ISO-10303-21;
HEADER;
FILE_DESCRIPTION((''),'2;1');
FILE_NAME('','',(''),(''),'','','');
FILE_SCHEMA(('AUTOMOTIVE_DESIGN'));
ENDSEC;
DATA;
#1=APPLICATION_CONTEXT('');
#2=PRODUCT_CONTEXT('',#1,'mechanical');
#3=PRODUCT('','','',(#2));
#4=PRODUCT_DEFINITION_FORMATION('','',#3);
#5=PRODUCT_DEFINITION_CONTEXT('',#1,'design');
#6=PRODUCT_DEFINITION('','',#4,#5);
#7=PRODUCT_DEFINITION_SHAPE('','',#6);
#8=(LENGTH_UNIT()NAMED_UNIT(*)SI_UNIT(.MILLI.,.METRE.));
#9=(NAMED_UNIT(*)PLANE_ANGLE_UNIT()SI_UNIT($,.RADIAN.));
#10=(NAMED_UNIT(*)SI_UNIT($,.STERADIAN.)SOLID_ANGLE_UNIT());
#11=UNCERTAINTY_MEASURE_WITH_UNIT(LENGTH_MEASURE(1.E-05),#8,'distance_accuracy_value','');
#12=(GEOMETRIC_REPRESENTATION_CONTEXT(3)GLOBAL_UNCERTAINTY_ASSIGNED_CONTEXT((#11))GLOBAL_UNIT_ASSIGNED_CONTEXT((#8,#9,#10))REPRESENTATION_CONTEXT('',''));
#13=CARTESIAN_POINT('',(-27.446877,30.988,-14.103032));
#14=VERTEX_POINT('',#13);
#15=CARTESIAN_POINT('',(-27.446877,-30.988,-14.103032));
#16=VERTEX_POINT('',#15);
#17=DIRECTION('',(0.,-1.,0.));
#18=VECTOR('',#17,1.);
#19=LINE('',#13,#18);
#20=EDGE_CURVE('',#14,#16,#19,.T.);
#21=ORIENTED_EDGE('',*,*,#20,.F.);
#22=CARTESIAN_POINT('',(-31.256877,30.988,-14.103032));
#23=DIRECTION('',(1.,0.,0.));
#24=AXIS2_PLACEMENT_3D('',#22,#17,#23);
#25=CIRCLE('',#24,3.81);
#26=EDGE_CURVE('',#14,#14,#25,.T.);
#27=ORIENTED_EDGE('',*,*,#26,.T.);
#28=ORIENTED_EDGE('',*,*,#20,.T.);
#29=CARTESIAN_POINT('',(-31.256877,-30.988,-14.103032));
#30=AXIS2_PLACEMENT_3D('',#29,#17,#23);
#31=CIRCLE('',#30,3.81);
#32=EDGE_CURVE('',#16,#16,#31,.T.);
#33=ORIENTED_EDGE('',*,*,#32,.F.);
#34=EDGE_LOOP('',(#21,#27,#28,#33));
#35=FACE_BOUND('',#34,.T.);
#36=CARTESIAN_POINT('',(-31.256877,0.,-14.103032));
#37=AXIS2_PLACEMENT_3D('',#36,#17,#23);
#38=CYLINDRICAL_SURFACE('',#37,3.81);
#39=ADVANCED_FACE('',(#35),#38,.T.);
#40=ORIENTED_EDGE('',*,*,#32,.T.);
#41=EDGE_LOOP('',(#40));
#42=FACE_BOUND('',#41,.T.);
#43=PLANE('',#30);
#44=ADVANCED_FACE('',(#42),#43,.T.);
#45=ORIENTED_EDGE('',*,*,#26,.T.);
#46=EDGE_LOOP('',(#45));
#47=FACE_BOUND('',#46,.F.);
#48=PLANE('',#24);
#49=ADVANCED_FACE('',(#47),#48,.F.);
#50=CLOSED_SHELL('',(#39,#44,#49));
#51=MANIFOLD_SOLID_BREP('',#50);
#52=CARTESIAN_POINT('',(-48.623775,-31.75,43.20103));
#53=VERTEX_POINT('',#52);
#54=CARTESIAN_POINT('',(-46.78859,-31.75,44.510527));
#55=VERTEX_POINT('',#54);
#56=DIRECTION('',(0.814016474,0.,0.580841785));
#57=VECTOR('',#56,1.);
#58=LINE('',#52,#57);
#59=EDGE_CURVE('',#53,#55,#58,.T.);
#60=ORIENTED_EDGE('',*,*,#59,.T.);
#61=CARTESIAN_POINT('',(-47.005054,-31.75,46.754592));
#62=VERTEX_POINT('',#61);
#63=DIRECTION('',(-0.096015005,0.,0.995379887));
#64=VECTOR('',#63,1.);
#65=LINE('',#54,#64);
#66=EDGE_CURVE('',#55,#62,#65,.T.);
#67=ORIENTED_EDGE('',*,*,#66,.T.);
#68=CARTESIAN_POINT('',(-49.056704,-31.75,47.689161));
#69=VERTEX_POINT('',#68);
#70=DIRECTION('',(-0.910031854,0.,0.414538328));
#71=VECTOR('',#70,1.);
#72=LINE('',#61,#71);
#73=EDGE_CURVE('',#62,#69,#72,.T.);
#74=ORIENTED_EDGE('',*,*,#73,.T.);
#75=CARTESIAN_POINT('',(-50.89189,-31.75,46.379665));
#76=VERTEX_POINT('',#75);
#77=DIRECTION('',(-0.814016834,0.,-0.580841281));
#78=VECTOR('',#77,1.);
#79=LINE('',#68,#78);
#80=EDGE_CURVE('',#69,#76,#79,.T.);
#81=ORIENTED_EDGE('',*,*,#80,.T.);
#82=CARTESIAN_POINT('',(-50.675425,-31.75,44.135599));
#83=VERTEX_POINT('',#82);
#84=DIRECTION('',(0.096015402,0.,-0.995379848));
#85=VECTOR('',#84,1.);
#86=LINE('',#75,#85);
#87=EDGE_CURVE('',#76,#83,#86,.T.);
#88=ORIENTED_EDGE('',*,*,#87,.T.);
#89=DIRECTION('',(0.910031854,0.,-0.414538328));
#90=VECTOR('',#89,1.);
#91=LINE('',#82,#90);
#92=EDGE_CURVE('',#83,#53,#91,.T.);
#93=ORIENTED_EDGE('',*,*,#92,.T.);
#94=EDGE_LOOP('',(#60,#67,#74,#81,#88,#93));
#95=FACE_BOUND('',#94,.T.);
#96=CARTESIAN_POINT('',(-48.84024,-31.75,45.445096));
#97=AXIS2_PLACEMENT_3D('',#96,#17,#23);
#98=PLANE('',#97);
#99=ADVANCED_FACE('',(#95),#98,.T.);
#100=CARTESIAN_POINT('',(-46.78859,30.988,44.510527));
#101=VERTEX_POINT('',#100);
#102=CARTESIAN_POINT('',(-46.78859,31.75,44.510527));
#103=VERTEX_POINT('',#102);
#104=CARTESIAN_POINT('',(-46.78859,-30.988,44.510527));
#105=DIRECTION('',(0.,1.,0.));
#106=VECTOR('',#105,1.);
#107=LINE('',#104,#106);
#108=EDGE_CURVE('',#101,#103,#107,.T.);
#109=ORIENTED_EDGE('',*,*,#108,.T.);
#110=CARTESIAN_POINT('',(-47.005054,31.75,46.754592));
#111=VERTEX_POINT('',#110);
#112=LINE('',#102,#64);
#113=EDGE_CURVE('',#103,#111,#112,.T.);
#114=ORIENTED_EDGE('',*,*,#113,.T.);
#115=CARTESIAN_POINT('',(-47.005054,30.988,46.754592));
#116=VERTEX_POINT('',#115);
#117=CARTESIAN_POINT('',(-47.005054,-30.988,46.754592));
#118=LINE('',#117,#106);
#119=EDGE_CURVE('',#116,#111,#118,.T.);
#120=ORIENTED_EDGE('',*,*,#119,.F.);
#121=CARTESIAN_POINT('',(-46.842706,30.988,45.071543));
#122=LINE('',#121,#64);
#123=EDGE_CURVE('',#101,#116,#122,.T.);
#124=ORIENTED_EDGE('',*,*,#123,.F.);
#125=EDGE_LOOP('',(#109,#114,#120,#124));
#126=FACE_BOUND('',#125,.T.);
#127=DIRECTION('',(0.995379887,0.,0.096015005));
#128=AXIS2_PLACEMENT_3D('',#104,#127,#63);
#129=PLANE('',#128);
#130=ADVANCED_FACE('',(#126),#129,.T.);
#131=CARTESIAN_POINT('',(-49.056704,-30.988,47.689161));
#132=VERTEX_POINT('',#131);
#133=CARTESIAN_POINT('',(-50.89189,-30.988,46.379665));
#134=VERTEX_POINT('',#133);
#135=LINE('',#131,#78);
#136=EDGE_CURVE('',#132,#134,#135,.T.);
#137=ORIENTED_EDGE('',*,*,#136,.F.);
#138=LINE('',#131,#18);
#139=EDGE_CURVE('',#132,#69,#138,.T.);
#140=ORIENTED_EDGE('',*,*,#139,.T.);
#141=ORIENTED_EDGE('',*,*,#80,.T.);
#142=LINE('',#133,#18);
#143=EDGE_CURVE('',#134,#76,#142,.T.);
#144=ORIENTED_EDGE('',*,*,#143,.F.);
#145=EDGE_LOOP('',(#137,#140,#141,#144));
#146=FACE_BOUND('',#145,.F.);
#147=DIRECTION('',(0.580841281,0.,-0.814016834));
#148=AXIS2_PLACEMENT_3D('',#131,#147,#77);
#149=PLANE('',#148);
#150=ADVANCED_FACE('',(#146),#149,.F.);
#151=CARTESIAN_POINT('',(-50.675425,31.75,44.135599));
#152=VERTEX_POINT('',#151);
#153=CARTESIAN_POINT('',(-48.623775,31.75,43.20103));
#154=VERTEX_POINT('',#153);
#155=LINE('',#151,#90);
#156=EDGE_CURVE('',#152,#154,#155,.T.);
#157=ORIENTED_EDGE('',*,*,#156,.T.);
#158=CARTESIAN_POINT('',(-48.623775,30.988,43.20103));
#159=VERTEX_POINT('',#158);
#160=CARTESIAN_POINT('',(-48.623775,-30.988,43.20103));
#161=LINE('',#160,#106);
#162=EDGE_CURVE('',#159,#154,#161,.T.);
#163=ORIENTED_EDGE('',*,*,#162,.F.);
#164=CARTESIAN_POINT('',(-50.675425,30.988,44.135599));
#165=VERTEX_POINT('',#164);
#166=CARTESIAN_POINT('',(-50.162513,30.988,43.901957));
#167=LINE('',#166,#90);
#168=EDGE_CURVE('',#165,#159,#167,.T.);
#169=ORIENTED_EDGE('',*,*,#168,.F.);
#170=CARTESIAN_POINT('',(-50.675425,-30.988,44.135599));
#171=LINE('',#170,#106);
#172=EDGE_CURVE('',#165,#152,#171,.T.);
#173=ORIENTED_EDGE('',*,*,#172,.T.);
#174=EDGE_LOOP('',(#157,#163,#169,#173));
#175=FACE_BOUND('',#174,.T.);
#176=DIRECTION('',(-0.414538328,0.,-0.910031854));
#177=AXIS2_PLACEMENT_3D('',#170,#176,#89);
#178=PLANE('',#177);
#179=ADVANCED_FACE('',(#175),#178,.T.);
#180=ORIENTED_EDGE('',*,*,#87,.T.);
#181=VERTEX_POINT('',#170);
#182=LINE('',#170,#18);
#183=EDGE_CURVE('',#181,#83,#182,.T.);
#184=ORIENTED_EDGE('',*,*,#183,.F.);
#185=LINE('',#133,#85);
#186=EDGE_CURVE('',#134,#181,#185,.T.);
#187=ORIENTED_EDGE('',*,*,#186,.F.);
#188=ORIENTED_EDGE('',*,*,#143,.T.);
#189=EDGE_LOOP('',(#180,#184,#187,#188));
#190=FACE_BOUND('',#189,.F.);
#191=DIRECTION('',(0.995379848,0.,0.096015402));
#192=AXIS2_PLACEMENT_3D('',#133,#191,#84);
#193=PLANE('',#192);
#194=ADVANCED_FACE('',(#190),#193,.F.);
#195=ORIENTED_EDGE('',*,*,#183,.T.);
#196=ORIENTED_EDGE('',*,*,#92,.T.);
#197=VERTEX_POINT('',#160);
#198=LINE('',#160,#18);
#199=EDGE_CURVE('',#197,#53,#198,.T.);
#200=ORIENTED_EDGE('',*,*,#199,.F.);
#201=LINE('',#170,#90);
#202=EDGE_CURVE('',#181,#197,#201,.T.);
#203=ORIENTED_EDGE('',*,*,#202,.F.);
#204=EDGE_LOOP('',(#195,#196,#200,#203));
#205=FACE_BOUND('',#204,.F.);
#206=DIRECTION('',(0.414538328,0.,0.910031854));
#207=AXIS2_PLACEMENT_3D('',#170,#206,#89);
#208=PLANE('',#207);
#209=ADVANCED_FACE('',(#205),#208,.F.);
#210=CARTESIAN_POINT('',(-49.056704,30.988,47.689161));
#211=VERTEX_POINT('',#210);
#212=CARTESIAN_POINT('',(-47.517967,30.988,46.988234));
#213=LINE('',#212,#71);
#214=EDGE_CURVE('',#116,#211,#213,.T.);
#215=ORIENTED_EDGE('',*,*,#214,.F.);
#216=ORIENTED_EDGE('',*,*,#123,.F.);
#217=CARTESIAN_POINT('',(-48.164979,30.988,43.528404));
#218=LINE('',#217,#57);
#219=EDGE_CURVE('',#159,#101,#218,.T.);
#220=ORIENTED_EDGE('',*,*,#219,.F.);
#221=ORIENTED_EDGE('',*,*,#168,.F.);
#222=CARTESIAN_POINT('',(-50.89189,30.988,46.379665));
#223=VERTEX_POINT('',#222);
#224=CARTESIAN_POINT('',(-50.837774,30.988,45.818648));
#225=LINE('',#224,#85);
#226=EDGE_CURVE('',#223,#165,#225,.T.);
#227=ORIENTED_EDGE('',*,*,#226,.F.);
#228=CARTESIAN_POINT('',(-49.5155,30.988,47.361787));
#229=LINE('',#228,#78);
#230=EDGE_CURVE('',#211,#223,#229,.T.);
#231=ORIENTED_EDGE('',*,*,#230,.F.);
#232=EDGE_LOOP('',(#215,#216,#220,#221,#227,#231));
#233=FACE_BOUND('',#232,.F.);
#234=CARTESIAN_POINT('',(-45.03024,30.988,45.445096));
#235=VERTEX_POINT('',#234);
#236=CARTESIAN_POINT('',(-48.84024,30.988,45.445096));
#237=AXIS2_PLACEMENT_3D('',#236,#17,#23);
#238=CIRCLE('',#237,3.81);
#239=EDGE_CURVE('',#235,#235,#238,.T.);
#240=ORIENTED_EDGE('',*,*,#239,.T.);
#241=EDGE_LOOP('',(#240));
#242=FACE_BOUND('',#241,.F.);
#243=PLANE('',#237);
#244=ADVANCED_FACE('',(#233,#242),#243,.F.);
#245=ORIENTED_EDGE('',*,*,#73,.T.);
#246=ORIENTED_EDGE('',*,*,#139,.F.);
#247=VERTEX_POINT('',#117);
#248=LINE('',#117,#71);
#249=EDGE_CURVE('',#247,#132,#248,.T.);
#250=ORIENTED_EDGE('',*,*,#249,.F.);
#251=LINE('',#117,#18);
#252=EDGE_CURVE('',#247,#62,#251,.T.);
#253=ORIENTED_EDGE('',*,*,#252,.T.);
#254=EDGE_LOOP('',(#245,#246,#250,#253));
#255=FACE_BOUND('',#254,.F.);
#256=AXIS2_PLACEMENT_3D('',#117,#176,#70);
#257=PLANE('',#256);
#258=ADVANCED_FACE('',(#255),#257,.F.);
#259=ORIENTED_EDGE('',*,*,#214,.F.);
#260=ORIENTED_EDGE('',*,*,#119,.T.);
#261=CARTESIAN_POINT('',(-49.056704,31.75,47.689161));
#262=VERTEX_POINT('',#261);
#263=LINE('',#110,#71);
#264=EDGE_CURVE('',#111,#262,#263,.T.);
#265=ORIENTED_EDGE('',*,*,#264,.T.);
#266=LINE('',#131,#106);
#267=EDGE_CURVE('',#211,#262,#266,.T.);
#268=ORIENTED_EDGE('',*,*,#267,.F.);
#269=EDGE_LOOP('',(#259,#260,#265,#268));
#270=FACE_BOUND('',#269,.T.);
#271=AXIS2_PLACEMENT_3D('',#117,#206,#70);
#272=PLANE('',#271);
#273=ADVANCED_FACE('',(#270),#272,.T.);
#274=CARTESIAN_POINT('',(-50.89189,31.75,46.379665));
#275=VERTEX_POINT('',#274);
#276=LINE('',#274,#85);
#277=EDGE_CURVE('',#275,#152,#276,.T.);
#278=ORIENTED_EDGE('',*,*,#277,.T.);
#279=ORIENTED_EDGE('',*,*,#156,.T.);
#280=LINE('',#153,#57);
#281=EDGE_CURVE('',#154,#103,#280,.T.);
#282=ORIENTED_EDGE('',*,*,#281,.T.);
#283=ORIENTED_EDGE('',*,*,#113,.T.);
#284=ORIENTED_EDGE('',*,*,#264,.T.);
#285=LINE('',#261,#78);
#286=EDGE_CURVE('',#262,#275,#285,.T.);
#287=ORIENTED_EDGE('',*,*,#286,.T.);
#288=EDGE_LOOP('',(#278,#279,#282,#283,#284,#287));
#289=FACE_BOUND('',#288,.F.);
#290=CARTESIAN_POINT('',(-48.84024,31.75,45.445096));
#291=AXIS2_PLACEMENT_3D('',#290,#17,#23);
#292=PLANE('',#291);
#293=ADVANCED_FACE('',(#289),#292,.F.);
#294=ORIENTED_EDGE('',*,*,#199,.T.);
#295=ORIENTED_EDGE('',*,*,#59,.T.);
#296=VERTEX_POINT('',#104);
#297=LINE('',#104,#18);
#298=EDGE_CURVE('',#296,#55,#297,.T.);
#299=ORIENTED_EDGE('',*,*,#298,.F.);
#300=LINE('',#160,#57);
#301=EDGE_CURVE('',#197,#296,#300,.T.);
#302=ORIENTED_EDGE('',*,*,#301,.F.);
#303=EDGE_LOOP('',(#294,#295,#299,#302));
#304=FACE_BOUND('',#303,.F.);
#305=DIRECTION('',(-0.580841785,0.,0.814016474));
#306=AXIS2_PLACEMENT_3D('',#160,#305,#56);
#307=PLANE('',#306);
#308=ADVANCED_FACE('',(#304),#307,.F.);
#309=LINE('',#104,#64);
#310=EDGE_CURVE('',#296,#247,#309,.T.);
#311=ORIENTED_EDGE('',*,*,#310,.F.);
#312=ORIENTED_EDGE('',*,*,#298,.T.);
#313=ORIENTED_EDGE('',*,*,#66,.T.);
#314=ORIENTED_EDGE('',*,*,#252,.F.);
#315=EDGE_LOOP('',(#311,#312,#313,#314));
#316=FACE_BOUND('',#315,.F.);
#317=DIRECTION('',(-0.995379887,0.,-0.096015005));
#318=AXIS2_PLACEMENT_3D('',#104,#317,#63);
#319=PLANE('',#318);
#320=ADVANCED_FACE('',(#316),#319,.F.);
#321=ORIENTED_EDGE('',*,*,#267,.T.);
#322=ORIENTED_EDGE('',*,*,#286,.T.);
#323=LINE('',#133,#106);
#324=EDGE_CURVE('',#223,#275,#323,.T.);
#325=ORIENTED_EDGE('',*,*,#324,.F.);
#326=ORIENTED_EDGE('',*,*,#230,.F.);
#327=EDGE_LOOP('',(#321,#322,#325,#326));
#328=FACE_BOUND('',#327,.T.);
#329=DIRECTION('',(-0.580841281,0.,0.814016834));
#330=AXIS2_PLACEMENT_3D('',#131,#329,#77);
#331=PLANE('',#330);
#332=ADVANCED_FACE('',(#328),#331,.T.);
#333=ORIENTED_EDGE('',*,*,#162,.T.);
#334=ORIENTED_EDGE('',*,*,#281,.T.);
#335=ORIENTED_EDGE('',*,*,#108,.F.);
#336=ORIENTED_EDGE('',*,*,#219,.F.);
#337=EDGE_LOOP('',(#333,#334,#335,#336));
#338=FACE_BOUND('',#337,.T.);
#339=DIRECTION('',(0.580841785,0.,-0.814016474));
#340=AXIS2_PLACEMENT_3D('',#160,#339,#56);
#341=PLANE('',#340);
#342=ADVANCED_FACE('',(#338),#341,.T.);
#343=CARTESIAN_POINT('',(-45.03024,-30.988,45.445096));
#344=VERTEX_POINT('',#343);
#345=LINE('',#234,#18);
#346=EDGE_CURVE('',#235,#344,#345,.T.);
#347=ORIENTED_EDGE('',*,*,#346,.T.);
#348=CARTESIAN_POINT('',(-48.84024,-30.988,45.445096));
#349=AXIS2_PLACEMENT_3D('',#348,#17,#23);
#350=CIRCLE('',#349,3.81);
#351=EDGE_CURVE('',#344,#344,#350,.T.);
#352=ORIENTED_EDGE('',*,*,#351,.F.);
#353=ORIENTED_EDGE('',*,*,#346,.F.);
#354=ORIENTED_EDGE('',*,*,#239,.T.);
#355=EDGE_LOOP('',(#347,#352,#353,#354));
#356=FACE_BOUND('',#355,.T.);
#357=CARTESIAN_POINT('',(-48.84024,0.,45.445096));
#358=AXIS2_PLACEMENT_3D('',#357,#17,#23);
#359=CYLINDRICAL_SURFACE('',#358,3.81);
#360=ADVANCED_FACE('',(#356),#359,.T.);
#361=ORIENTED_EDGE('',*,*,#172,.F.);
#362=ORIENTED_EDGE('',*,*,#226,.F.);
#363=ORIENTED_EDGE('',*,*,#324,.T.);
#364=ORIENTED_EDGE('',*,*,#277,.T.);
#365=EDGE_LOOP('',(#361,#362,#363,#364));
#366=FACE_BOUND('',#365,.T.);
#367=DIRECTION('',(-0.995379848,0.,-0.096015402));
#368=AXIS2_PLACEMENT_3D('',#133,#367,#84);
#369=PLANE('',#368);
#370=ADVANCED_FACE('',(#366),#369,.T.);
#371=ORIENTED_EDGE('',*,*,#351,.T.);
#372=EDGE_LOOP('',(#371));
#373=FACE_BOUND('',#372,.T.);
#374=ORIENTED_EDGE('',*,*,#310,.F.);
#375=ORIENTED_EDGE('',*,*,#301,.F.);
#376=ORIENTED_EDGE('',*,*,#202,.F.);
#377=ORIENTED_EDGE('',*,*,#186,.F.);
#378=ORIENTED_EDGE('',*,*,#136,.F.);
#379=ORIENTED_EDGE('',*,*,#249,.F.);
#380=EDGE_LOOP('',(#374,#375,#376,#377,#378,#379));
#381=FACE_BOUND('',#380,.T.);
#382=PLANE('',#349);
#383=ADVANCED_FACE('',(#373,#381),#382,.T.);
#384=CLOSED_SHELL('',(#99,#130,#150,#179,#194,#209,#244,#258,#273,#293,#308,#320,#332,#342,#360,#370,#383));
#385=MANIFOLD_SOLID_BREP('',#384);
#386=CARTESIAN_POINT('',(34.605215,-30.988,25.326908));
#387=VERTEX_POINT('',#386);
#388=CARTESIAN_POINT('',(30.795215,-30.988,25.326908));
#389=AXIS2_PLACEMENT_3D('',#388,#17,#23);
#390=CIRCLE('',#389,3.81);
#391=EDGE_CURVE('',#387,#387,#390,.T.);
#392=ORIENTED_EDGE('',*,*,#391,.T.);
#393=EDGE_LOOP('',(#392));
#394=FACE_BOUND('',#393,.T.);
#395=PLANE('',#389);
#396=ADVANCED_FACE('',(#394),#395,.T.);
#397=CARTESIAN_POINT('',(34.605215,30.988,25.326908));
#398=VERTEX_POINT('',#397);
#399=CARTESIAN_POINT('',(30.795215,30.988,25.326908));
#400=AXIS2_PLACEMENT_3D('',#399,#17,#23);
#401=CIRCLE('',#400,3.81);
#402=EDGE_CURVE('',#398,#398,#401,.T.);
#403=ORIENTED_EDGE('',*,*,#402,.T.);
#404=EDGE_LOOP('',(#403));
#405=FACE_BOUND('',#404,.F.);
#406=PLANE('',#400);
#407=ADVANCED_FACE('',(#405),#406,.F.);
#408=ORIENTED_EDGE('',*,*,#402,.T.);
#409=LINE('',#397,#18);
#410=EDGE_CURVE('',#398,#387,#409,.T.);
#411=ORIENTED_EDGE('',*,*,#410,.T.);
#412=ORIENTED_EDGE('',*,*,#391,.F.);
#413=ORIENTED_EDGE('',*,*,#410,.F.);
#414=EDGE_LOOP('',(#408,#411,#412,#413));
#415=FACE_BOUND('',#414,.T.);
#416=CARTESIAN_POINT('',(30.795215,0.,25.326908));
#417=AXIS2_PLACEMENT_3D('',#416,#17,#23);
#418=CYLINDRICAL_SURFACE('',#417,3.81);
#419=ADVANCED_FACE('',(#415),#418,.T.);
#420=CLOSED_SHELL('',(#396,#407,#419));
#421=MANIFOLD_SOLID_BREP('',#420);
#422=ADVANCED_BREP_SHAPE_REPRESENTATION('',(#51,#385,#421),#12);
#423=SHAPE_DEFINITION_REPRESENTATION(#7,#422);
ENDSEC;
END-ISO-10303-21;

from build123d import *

# Parameters (mm, degrees)
F0_R          = 3.81
F1_DEPTH      = 30.988
F1_DEPTH_BACK = 30.988
F3_DEPTH      = 0.762
F3_DEPTH_BACK = 62.738


with BuildPart() as f1:
    # F0 (on Front) → F1 (new body, two sides)
    with BuildSketch(Plane.XZ) as f1_sk:
        with Locations((30.795215, 25.326908)):
            Circle(F0_R)
        with Locations((-48.84024, 45.445096)):
            Circle(F0_R)
        with Locations((-31.256877, -14.103032)):
            Circle(F0_R)
    extrude(amount=F1_DEPTH)
    extrude(f1_sk.sketch, amount=-F1_DEPTH_BACK)

    # F2 (on face) → F3 (join, two sides)
    with BuildSketch(Plane.XZ.offset(30.988)) as f3_sk:
        Polygon((-50.675425, 44.135599), (-48.623775, 43.20103), (-46.78859, 44.510527), (-47.005054, 46.754592), (-49.056704, 47.689161), (-50.89189, 46.379665), align=None)
    extrude(amount=F3_DEPTH)
    extrude(f3_sk.sketch, amount=-F3_DEPTH_BACK)


solid = f1.part
